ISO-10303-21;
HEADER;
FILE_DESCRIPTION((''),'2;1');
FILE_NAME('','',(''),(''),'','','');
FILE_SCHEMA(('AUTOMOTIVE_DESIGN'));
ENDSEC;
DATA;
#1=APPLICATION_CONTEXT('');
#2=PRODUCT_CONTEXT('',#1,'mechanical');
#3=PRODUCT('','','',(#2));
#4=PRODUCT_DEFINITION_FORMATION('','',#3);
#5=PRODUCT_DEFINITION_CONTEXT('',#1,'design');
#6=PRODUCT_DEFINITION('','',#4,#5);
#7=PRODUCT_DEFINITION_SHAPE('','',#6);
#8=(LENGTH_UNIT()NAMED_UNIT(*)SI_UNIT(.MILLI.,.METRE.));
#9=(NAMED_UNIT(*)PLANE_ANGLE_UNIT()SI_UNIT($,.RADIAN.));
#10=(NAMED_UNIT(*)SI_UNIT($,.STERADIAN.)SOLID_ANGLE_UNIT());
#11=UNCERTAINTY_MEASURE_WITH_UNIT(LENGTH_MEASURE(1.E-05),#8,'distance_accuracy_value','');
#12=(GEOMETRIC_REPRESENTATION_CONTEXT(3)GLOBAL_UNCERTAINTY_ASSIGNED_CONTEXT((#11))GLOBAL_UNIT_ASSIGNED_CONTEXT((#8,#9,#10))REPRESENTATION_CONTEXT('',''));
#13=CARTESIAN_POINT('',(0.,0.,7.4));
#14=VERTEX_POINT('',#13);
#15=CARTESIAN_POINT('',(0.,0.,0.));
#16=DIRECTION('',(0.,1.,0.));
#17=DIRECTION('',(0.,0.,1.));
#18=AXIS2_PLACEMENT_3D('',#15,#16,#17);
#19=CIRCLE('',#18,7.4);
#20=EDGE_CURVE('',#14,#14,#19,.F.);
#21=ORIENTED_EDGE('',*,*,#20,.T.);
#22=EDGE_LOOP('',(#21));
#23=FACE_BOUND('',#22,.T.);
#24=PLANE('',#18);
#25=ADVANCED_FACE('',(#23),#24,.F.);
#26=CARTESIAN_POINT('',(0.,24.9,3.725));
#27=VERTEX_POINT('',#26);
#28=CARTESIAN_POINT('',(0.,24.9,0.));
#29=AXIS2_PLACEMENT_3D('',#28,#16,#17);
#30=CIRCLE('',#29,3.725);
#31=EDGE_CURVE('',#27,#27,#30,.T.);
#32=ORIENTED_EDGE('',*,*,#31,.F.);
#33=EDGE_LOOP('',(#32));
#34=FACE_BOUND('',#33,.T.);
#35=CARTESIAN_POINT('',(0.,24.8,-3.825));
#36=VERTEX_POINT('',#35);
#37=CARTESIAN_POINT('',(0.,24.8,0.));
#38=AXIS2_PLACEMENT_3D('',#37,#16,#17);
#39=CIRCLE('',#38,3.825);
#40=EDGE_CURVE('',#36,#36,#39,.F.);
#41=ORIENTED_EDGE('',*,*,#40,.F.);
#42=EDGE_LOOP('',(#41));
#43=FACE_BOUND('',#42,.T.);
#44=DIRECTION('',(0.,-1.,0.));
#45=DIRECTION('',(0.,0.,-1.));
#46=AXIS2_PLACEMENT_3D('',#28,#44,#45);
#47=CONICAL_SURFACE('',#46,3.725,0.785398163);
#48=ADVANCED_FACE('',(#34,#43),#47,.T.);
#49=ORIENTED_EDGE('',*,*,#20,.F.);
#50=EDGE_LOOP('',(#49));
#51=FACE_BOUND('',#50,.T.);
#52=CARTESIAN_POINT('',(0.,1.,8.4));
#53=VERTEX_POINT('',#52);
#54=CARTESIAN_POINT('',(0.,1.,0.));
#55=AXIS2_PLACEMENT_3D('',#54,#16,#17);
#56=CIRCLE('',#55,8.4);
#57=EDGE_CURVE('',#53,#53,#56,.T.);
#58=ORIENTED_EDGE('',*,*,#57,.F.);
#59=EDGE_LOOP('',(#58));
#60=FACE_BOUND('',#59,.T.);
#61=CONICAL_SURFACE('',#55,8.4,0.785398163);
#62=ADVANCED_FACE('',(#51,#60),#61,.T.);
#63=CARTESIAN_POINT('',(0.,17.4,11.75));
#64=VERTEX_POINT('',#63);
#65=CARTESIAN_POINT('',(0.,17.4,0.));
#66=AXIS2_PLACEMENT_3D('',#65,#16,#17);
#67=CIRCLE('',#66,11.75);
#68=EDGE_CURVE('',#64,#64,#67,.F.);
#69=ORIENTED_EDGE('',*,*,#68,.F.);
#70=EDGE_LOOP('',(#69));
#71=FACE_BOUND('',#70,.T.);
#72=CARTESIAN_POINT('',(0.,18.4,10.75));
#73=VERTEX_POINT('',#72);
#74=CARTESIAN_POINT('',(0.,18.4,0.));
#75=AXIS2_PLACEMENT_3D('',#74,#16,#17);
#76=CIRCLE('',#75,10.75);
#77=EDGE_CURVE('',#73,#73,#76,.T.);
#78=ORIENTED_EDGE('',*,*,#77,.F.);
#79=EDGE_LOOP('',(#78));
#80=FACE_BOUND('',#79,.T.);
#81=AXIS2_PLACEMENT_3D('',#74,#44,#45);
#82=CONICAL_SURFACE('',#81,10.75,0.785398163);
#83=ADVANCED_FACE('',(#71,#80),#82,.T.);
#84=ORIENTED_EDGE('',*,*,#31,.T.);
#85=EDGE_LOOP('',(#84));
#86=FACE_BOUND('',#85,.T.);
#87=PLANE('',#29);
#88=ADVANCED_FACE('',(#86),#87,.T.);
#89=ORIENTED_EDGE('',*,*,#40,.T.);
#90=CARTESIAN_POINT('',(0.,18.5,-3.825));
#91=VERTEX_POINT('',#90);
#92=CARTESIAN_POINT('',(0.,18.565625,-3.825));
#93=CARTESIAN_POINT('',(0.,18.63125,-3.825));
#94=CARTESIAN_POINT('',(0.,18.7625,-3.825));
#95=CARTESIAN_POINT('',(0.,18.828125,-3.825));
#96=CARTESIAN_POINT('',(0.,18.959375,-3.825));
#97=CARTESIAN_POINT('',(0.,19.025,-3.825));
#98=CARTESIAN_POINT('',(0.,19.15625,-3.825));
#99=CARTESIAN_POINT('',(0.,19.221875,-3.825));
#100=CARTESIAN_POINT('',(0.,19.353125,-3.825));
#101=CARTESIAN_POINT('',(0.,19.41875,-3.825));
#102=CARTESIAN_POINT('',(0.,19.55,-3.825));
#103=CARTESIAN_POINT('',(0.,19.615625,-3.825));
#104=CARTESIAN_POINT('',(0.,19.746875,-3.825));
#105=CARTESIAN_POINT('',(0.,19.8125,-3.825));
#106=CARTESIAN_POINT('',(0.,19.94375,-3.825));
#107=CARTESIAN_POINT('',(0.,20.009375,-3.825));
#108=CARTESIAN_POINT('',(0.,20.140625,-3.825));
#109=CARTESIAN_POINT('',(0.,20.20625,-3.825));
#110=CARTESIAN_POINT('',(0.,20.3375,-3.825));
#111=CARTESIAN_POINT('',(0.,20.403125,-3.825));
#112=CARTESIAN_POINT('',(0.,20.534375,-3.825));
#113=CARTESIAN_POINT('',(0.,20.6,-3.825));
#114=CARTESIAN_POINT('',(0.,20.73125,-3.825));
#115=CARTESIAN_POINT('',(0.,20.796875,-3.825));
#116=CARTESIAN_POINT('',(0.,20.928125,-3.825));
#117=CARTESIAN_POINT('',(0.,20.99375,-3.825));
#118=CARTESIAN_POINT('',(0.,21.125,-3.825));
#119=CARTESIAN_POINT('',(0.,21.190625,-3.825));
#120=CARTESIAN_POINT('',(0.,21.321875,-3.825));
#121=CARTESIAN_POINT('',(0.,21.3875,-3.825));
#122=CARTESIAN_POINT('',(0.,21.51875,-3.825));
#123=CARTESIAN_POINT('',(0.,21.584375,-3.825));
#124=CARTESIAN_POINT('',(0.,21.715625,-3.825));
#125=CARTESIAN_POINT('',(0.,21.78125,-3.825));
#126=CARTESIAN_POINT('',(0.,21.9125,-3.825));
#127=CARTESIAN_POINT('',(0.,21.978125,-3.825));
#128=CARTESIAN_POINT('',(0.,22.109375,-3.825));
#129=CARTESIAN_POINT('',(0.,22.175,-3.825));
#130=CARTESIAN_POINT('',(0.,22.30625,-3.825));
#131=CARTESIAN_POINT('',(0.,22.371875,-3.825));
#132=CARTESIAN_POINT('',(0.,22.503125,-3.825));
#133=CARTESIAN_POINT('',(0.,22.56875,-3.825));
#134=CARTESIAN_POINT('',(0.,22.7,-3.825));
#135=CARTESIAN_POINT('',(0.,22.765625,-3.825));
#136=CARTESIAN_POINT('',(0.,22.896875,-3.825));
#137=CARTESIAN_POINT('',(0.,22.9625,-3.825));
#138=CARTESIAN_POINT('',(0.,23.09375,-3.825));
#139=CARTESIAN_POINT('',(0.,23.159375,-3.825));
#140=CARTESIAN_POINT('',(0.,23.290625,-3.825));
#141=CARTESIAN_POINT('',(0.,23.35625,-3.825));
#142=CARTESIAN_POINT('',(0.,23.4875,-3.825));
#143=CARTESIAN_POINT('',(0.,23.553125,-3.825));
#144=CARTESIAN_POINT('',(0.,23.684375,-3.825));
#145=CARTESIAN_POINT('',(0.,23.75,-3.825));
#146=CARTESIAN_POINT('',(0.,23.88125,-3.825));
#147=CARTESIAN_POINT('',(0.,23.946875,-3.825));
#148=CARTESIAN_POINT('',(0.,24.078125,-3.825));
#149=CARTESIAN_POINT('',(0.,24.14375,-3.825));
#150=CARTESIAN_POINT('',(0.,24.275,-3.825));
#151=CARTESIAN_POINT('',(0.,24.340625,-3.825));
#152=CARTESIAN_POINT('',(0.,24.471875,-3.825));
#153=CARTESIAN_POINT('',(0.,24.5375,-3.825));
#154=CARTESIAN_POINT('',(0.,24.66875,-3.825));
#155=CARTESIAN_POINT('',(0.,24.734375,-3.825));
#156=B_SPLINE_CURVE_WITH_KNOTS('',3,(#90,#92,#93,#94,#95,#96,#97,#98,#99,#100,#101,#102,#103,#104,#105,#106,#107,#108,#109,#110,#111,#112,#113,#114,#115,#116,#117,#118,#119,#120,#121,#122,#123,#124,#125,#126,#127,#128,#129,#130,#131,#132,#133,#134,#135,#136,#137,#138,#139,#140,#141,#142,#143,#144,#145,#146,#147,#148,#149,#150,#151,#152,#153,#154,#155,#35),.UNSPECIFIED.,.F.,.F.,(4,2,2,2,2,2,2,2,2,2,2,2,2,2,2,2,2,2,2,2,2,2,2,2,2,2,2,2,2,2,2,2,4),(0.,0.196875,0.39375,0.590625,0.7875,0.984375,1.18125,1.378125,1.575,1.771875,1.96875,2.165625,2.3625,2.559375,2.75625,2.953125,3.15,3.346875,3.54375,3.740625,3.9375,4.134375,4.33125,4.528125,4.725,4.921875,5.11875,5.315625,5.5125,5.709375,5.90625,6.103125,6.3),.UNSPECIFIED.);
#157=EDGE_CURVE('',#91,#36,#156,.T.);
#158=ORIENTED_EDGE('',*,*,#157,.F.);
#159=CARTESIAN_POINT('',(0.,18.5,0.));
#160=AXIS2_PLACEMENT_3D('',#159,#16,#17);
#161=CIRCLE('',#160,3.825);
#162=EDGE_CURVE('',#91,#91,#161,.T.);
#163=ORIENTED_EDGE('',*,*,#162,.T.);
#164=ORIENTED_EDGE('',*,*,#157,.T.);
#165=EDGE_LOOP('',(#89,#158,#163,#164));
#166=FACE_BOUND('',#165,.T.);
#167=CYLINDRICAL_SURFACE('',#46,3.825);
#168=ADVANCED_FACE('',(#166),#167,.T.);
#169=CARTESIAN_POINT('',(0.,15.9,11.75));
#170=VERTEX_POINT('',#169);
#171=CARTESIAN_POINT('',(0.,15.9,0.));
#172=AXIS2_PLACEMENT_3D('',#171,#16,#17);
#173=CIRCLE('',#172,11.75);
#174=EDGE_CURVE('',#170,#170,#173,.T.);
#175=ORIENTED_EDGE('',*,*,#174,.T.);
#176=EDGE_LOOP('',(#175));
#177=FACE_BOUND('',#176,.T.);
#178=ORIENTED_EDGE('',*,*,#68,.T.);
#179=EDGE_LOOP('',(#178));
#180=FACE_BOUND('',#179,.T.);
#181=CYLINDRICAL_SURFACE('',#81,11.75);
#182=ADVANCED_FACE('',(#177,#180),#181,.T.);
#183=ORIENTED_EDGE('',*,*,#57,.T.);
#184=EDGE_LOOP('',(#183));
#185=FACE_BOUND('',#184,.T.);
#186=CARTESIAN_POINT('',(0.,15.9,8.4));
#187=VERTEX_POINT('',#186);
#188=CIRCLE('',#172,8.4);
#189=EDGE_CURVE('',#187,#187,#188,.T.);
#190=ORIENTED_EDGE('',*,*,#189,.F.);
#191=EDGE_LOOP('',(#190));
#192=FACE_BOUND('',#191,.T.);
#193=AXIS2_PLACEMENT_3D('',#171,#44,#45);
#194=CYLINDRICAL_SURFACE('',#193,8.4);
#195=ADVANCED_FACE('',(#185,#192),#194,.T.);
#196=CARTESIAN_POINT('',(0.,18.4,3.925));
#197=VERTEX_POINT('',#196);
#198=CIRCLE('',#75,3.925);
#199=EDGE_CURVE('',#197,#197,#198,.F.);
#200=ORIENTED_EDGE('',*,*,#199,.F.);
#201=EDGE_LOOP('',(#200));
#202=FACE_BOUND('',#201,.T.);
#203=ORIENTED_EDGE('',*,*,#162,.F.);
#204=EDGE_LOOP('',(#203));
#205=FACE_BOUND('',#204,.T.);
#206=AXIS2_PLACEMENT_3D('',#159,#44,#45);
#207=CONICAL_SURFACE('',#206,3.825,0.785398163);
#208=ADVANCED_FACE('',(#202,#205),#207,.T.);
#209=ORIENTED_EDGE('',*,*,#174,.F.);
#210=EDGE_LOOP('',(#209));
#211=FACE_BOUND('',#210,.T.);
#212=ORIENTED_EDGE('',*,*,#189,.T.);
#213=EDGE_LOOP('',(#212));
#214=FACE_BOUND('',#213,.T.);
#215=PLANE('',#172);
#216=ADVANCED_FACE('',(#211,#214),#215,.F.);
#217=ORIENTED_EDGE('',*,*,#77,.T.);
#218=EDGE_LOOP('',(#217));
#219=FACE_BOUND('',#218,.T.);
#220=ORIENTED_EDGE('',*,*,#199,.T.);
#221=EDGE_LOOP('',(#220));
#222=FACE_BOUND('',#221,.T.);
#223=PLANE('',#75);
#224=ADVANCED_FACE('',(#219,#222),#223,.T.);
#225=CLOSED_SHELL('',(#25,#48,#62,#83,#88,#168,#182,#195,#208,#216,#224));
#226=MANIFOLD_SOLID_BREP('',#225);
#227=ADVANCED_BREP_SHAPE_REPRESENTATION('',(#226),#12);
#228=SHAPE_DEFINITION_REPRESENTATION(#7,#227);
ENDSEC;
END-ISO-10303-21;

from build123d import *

# Parameters (mm, degrees)
SKETCH_1_R      = 8.4
EXTRUDE_1_DEPTH = 15.9
SKETCH_2_R      = 11.75
EXTRUDE_2_DEPTH = 2.5
SKETCH_3_R      = 3.825
EXTRUDE_3_DEPTH = 6.5
CHAMFER_1_SIZE  = 1
CHAMFER_2_SIZE  = 0.1


with BuildPart() as part:
    # Эскиз1 → Бобышка-Вытянуть1 (new body)
    with BuildSketch(Plane(origin=(0, 0, 0), x_dir=(1, 0, 0), z_dir=(0, 1, 0))):
        with Locations(Location((0, 0, 0), (0, 0, 270))):
            Circle(SKETCH_1_R)
    extrude(amount=EXTRUDE_1_DEPTH)

    # Эскиз2 → Бобышка-Вытянуть2 (add)
    with BuildSketch(Plane(origin=(0, 15.9, 0), x_dir=(1, 0, 0), z_dir=(0, 1, 0))):
        with Locations(Location((0, 0, 0), (0, 0, 270))):
            Circle(SKETCH_2_R)
    extrude(amount=EXTRUDE_2_DEPTH)

    # Эскиз3 → Бобышка-Вытянуть3 (add)
    with BuildSketch(Plane(origin=(0, 18.4, 0), x_dir=(1, 0, 0), z_dir=(0, 1, 0))):
        with Locations(Location((0, 0, 0), (0, 0, 90))):
            Circle(SKETCH_3_R)
    extrude(amount=EXTRUDE_3_DEPTH)

    # Фаска1
    chamfer_1_edges = [part.edges().sort_by_distance(p)[0] for p in [
        (0, 0, -8.4),
        (0, 18.4, -11.75),
    ]]
    chamfer(chamfer_1_edges, length=CHAMFER_1_SIZE)

    # Фаска2
    chamfer_2_edges = [part.edges().sort_by_distance(p)[0] for p in [
        (0, 24.9, 3.825),
        (0, 18.4, 3.825),
    ]]
    chamfer(chamfer_2_edges, length=CHAMFER_2_SIZE)


solid = part.part
